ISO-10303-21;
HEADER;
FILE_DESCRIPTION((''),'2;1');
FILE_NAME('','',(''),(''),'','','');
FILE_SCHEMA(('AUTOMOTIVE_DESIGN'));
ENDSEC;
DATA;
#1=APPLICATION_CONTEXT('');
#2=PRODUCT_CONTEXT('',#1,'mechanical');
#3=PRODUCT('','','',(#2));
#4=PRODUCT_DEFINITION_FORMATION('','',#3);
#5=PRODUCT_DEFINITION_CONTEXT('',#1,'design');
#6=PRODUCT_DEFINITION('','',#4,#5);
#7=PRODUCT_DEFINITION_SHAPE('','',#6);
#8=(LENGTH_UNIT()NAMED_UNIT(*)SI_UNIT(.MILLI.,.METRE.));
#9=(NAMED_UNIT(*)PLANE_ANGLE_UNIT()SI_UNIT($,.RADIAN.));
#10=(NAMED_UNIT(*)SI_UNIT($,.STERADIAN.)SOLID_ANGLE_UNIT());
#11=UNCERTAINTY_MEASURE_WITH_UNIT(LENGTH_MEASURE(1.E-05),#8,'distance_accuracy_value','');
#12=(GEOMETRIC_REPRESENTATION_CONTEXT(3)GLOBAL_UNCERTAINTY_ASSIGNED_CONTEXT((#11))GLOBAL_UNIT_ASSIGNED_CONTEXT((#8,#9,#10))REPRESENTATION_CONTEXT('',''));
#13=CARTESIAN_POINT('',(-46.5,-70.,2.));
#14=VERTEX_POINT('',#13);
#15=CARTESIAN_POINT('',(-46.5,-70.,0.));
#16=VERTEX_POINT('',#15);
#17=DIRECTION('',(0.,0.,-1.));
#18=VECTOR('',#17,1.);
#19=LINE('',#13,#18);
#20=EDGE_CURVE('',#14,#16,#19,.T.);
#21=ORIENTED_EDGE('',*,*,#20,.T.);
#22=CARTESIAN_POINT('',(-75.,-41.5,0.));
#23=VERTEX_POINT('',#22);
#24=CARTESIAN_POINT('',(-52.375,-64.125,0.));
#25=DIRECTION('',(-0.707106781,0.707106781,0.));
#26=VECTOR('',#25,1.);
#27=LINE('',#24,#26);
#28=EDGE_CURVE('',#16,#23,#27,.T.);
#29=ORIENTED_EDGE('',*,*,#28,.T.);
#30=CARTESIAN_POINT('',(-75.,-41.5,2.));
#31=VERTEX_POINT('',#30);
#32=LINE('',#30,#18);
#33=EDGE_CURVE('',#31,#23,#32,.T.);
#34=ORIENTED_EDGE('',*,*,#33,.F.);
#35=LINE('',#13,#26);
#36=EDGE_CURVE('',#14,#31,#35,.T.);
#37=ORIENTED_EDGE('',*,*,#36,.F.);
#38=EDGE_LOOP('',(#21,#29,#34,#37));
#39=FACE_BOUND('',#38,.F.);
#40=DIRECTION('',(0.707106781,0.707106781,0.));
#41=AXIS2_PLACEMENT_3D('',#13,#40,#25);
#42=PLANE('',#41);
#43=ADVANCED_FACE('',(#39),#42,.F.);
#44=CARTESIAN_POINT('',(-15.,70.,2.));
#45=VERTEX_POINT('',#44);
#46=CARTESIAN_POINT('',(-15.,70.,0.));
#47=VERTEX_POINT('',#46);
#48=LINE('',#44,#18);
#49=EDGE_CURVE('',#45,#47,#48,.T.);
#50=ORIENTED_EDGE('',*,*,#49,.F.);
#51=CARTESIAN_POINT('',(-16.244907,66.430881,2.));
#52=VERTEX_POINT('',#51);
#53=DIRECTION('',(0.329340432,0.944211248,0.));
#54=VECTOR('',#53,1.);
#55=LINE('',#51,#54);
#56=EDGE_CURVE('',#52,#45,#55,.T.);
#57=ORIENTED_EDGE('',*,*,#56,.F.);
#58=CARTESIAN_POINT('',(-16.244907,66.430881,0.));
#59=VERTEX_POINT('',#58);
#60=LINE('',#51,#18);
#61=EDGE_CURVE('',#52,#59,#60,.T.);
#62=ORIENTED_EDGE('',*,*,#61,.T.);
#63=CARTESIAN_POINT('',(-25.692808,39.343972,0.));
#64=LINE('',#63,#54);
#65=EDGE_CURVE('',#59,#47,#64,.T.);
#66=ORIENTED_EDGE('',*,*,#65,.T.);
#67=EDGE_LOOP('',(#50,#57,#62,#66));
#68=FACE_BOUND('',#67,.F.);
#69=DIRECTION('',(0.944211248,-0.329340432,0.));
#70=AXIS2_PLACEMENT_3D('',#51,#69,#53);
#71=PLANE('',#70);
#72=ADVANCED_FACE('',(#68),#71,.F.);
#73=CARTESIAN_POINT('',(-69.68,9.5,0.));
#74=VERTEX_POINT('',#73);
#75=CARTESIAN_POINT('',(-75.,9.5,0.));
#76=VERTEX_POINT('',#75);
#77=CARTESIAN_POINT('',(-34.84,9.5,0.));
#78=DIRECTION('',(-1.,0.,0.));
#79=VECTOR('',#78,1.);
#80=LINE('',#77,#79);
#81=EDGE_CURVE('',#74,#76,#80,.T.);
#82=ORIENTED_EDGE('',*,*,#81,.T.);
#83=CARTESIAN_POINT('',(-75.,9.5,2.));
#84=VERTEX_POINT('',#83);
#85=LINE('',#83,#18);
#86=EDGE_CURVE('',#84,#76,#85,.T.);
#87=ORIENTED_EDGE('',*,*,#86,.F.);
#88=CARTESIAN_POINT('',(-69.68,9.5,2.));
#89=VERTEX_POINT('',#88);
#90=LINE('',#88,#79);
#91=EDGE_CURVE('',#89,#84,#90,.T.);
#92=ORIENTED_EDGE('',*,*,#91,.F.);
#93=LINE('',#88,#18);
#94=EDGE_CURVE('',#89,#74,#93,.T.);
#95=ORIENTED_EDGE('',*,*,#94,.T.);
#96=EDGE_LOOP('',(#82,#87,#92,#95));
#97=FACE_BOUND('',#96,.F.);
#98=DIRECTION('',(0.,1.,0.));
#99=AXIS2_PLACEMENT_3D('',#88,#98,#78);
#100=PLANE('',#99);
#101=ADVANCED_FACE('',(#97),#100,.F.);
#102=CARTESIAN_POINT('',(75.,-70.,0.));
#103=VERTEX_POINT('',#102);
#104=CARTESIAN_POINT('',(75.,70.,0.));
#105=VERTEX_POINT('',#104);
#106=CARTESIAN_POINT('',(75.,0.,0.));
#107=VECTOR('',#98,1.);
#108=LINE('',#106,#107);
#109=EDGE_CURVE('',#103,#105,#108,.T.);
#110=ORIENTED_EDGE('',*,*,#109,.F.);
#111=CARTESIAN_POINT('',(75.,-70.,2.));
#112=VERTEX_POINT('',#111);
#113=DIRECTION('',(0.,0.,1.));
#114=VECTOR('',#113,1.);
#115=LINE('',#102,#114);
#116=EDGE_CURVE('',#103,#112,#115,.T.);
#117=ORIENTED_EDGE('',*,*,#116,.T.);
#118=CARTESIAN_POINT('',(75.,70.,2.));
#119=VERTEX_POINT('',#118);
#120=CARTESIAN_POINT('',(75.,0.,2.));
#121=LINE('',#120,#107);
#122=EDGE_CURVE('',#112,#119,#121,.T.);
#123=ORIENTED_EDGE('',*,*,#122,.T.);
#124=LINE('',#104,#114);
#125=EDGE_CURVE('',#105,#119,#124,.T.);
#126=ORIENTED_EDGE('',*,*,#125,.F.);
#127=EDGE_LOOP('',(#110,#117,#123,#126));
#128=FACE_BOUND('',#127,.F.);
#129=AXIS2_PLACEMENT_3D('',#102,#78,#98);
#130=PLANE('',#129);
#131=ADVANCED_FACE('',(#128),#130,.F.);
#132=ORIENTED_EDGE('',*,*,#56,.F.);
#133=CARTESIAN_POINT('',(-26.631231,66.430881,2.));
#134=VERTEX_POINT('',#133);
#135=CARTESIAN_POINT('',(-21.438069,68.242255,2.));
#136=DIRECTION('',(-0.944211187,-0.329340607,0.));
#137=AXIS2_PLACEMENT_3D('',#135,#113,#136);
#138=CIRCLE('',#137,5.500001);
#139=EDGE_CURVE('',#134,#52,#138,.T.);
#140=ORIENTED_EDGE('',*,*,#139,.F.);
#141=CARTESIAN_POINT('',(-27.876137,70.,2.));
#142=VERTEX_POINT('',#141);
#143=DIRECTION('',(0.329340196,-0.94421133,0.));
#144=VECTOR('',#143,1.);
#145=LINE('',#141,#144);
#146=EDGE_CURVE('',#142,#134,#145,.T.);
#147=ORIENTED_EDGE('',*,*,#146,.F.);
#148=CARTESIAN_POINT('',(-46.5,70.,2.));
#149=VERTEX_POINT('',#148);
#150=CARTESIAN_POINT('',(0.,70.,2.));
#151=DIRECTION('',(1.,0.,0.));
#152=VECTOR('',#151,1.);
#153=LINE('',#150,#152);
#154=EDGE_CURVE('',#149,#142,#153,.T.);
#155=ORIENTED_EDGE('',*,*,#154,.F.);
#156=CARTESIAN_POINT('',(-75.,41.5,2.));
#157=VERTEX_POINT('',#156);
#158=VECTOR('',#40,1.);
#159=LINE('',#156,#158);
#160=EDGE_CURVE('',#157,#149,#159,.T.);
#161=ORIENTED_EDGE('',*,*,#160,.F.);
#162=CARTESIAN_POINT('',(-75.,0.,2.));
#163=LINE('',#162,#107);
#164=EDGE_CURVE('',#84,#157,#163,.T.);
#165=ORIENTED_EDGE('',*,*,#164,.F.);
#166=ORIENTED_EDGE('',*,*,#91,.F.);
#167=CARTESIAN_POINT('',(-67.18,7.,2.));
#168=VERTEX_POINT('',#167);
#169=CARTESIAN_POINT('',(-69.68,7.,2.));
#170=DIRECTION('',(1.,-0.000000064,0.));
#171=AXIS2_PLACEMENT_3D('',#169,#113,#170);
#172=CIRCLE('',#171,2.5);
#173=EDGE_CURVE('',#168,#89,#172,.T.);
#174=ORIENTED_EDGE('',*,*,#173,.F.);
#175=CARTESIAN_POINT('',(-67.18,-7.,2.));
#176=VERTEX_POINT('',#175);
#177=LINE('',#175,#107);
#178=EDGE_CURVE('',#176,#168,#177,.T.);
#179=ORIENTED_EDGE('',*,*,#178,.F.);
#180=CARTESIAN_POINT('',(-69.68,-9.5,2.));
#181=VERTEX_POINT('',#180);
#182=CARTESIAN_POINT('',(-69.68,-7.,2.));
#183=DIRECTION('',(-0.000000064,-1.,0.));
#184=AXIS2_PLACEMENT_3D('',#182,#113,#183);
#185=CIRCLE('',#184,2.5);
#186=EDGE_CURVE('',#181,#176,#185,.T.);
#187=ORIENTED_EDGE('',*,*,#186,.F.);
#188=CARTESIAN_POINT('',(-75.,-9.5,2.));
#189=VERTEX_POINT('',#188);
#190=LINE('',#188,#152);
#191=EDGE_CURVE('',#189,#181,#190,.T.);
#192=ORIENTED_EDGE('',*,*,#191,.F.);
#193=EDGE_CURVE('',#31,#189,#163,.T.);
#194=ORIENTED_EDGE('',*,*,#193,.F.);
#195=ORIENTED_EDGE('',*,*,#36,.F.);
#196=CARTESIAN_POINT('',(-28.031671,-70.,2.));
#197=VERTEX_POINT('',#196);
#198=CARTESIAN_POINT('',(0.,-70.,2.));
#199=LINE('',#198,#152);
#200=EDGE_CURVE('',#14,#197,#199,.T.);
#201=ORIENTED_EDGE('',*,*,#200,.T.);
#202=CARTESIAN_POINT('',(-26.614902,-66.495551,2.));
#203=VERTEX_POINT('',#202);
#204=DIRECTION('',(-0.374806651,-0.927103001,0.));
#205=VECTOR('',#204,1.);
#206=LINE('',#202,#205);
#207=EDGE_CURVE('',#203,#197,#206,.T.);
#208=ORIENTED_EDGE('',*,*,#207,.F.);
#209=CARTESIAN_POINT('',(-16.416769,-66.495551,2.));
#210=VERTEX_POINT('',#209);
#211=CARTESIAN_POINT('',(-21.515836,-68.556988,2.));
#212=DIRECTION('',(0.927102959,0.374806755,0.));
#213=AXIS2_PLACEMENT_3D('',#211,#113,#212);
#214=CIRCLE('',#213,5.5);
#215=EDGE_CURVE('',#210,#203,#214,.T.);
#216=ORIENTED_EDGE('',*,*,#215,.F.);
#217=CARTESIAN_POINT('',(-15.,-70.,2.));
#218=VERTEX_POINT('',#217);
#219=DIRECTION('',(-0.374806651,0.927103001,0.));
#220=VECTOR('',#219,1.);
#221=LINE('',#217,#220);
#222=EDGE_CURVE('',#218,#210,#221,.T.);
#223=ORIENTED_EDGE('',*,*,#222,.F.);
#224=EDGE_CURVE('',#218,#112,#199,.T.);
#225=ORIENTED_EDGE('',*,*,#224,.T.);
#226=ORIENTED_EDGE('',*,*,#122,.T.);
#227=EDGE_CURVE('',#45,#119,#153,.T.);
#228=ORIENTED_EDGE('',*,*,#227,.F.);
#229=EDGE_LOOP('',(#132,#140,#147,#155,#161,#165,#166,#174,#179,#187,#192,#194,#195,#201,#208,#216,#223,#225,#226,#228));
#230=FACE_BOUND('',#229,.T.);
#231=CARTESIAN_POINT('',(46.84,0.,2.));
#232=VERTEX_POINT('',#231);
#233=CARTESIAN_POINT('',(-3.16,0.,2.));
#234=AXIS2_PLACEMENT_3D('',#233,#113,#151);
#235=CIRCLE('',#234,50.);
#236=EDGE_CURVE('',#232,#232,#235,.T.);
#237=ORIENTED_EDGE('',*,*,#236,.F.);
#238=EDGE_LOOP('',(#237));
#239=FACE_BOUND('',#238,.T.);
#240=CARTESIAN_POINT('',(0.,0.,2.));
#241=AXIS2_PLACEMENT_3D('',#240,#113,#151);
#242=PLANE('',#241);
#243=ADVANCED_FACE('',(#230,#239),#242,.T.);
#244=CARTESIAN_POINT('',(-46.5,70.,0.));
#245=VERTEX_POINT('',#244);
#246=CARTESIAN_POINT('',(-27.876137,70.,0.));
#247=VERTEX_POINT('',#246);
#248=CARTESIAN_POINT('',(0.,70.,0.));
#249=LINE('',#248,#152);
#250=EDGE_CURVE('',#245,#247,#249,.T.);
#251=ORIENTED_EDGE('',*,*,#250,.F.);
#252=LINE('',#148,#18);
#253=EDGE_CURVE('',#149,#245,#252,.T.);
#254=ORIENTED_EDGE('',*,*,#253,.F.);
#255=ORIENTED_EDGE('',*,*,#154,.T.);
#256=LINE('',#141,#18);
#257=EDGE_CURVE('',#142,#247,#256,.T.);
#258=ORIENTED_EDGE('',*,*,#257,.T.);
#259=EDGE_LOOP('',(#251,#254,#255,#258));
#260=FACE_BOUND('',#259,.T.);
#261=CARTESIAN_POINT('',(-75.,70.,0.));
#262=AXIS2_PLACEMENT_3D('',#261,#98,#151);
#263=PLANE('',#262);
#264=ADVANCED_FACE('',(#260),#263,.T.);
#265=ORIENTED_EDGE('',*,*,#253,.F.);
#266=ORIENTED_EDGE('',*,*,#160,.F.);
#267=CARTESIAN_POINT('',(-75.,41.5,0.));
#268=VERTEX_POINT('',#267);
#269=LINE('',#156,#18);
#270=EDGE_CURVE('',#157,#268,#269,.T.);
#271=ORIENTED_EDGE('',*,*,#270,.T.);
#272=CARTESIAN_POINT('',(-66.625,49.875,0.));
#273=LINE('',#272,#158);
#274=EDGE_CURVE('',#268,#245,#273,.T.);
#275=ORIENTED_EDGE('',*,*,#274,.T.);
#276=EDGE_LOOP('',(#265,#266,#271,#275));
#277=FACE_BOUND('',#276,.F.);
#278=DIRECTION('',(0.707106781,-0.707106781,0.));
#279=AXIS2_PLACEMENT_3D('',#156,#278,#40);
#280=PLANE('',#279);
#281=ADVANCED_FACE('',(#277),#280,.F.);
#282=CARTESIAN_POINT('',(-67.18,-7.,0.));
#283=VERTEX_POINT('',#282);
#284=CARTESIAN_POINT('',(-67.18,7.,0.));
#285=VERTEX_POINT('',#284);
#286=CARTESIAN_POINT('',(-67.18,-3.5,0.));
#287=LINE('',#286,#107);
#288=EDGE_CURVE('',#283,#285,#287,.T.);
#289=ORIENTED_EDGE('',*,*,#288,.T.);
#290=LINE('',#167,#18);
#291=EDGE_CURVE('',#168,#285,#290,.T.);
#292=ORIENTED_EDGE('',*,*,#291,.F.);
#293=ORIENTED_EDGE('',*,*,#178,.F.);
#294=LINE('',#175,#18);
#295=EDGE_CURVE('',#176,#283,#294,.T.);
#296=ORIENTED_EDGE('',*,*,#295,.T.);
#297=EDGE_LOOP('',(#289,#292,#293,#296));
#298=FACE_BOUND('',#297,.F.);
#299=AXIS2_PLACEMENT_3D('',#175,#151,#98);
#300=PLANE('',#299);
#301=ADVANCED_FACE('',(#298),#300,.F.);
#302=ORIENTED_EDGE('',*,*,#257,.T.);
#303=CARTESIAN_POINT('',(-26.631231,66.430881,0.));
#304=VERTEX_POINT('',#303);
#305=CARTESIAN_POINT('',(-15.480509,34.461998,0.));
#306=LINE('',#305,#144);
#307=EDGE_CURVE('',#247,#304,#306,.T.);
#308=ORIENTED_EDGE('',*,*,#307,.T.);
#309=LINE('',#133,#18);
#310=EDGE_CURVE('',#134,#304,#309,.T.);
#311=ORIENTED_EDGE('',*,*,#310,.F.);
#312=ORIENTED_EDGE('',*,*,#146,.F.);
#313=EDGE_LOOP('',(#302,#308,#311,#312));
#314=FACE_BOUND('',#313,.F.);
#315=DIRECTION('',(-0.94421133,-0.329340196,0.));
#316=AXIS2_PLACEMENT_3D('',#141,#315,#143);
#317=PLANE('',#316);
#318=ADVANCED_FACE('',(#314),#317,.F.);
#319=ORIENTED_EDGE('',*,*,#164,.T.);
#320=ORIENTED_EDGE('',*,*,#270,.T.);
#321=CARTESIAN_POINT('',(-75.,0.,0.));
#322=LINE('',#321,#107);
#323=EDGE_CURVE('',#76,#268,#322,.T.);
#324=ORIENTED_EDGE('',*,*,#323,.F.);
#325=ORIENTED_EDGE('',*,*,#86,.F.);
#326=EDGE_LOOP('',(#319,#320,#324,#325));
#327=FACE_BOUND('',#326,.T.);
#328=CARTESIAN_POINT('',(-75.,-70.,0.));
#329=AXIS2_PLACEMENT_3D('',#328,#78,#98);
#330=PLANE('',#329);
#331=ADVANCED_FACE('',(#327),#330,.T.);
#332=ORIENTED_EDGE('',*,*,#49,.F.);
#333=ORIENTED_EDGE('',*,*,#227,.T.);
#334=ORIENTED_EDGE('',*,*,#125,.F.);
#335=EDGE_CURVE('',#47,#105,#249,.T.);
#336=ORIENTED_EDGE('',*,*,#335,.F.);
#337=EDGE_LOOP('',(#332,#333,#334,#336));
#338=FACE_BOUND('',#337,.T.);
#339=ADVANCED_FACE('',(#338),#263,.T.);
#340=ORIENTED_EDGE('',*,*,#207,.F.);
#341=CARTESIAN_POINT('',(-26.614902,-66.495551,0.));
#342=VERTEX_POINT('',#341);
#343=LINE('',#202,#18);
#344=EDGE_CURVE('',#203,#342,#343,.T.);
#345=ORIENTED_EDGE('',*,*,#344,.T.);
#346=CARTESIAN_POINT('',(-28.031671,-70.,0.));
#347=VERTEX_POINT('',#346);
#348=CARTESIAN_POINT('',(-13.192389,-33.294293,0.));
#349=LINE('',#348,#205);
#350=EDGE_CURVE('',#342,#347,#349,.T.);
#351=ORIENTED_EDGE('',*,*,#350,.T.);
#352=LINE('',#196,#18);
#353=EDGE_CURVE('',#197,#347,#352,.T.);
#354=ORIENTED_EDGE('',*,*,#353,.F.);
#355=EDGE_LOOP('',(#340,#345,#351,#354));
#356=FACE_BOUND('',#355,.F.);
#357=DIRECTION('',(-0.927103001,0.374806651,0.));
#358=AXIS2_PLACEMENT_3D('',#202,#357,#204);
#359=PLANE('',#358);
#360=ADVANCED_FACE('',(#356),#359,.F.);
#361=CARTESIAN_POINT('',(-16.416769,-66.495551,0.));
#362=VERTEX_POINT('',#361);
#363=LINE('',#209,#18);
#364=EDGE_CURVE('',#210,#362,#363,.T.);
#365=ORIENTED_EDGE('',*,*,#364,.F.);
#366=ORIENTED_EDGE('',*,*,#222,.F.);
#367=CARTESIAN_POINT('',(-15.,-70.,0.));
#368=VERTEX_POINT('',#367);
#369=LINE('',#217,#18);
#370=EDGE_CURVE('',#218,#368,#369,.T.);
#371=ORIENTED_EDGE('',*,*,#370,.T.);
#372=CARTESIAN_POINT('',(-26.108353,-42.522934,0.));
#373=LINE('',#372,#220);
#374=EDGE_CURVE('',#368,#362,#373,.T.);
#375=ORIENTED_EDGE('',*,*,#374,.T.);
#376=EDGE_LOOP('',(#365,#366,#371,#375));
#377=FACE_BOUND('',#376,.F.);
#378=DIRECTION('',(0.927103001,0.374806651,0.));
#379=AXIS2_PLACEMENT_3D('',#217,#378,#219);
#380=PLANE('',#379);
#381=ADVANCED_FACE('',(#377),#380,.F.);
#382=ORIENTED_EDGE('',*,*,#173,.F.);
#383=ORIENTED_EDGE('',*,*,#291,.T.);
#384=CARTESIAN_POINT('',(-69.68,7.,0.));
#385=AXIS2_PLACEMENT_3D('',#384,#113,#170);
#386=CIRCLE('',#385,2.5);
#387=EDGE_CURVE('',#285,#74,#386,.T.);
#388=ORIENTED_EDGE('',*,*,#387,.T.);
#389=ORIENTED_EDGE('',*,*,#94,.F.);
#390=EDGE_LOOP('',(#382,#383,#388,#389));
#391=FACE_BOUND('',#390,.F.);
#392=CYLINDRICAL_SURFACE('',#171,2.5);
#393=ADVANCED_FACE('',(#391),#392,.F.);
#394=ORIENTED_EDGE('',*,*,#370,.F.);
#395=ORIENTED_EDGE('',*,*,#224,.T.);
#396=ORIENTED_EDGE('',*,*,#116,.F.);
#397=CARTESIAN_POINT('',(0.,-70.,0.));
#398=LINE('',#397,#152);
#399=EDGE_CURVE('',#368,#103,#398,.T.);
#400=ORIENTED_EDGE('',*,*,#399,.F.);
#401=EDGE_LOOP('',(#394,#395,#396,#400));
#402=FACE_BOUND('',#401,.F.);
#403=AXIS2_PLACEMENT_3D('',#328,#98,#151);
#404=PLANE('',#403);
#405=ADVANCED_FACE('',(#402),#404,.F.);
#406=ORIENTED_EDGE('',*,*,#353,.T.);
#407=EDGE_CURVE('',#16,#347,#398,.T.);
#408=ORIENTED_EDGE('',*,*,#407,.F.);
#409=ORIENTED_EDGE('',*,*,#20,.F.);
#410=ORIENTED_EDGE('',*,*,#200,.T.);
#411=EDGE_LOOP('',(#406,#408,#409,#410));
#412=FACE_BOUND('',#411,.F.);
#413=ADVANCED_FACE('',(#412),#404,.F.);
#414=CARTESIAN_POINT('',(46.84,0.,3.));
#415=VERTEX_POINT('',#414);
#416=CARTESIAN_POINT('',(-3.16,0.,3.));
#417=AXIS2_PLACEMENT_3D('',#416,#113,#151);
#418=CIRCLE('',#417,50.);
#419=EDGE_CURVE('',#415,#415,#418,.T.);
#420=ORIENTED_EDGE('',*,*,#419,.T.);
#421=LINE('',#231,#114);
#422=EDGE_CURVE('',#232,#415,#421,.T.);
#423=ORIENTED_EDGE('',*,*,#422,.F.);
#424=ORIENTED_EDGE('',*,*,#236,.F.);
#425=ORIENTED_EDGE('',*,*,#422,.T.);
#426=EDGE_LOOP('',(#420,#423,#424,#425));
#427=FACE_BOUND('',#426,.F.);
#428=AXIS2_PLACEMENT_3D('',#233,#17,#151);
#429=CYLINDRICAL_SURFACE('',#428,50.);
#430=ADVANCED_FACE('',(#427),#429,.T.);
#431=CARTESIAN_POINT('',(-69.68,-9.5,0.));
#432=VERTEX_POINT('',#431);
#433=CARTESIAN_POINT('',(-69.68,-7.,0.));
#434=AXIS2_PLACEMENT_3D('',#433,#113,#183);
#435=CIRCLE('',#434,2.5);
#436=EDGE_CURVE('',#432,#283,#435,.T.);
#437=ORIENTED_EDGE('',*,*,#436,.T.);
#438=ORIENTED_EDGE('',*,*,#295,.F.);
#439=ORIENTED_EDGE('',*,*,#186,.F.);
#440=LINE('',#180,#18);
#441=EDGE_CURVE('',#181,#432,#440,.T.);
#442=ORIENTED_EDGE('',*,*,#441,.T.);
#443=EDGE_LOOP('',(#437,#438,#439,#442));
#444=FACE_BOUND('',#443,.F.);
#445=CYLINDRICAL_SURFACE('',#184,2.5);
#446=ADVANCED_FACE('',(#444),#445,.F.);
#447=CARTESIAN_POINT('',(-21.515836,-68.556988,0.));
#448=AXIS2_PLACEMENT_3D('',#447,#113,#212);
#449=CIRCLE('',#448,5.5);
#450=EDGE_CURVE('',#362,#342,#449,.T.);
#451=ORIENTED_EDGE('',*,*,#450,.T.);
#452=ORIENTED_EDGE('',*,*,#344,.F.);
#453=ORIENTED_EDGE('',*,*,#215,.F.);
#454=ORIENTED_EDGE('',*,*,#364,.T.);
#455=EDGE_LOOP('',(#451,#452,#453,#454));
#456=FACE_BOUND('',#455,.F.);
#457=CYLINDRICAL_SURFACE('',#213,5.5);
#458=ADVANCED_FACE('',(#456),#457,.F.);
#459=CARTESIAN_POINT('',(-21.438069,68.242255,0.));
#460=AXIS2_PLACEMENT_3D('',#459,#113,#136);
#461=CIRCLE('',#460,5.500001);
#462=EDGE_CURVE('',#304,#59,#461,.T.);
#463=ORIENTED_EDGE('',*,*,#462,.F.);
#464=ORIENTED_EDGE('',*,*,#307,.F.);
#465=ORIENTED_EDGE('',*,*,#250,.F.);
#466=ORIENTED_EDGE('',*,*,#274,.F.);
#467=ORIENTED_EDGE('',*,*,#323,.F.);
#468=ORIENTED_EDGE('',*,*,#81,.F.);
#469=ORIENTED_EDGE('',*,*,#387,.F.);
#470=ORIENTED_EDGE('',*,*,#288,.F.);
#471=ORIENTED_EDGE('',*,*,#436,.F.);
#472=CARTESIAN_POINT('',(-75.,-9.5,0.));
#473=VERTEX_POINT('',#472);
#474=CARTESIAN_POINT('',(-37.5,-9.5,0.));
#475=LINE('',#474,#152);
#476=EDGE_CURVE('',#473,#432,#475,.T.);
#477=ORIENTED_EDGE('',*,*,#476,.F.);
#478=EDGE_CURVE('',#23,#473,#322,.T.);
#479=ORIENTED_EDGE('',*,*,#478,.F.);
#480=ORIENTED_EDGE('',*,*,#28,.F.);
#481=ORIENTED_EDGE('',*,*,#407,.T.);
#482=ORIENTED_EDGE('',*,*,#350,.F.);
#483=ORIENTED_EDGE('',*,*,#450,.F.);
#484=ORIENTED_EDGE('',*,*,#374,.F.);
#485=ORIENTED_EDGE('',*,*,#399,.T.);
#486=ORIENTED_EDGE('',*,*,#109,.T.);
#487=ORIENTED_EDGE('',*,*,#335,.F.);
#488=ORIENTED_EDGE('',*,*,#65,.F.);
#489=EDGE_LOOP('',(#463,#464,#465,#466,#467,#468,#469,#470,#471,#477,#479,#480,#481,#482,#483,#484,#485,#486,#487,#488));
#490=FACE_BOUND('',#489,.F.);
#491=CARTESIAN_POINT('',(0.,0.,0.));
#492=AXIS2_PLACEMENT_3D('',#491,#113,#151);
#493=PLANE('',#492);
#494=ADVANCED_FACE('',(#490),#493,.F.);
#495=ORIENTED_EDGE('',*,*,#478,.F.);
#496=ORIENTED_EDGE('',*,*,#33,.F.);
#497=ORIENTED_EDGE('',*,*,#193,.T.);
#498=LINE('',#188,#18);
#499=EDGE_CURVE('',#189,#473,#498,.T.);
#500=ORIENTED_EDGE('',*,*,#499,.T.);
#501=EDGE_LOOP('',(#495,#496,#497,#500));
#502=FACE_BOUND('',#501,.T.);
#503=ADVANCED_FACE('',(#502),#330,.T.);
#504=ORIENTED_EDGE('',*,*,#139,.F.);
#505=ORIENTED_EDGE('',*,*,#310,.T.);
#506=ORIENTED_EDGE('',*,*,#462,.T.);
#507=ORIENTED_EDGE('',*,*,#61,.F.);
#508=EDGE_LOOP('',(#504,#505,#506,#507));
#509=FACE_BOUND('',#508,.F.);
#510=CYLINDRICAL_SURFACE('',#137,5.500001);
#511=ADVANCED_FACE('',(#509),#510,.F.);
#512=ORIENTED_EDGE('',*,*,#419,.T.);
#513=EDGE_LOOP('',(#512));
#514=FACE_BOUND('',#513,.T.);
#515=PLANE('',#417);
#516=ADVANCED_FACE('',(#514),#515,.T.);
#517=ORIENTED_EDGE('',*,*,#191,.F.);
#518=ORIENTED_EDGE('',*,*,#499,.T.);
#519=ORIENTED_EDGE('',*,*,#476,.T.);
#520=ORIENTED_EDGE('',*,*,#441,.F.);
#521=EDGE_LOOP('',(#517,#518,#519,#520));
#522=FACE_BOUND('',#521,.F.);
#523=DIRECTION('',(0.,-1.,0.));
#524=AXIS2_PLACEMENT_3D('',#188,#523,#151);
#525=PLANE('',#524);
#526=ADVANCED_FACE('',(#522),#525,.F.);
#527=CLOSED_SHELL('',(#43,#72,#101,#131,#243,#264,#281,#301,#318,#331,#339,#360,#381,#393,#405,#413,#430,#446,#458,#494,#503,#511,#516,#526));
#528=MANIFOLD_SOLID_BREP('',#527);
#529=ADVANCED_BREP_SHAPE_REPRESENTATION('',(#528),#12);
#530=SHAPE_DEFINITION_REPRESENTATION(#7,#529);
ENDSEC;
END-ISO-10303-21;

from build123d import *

# Parameters (mm, degrees)
F0_W     = 150
F0_H     = 140
F1_DEPTH = 2
F3_DEPTH = 2.001
F5_DEPTH = 2.001
F7_DEPTH = 2.001
F8_R     = 50
F9_DEPTH = 1


with BuildPart() as f1:
    # F0 (on Top) → F1 (new body)
    with BuildSketch(Plane.XY):
        Rectangle(F0_W, F0_H)
    extrude(amount=F1_DEPTH)

    # F2 (on face) → F3 (cut, through all)
    with BuildSketch(Plane.XY.offset(2)):
        Polygon((-75, 70), (-75, 41.5), (-46.5, 70), align=None)
        Polygon((-46.5, -70), (-75, -41.5), (-75, -70), align=None)
    extrude(amount=-F3_DEPTH, mode=Mode.SUBTRACT)

    # F4 (on face) → F5 (cut, through all)
    with BuildSketch(Plane.XY.offset(2)):
        with BuildLine():
            Line((-69.68, 9.5), (-75, 9.5))
            Line((-75, 9.5), (-75, -9.5))
            Line((-75, -9.5), (-69.68, -9.5))
            ThreePointArc((-69.68, -9.5), (-67.912233, -8.767767), (-67.18, -7))
            Line((-67.18, -7), (-67.18, 7))
            ThreePointArc((-67.18, 7), (-67.912233, 8.767767), (-69.68, 9.5))
        make_face()
    extrude(amount=-F5_DEPTH, mode=Mode.SUBTRACT)

    # F6 (on face) → F7 (cut, through all)
    with BuildSketch(Plane.XY.offset(2)):
        with BuildLine():
            Line((-28.031671, -70), (-15, -70))
            Line((-15, -70), (-16.416769, -66.495551))
            ThreePointArc((-16.416769, -66.495551), (-21.515836, -63.056988), (-26.614902, -66.495551))
            Line((-26.614902, -66.495551), (-28.031671, -70))
        make_face()
        with BuildLine():
            Line((-27.876137, 70), (-26.631231, 66.430881))
            ThreePointArc((-26.631231, 66.430881), (-21.438069, 62.742254), (-16.244907, 66.430881))
            Line((-16.244907, 66.430881), (-15, 70))
            Line((-15, 70), (-27.876137, 70))
        make_face()
    extrude(amount=-F7_DEPTH, mode=Mode.SUBTRACT)

    # F8 (on face) → F9 (join)
    with BuildSketch(Plane.XY.offset(2)):
        with Locations((-3.16, 0)):
            Circle(F8_R)
    extrude(amount=F9_DEPTH)


solid = f1.part
